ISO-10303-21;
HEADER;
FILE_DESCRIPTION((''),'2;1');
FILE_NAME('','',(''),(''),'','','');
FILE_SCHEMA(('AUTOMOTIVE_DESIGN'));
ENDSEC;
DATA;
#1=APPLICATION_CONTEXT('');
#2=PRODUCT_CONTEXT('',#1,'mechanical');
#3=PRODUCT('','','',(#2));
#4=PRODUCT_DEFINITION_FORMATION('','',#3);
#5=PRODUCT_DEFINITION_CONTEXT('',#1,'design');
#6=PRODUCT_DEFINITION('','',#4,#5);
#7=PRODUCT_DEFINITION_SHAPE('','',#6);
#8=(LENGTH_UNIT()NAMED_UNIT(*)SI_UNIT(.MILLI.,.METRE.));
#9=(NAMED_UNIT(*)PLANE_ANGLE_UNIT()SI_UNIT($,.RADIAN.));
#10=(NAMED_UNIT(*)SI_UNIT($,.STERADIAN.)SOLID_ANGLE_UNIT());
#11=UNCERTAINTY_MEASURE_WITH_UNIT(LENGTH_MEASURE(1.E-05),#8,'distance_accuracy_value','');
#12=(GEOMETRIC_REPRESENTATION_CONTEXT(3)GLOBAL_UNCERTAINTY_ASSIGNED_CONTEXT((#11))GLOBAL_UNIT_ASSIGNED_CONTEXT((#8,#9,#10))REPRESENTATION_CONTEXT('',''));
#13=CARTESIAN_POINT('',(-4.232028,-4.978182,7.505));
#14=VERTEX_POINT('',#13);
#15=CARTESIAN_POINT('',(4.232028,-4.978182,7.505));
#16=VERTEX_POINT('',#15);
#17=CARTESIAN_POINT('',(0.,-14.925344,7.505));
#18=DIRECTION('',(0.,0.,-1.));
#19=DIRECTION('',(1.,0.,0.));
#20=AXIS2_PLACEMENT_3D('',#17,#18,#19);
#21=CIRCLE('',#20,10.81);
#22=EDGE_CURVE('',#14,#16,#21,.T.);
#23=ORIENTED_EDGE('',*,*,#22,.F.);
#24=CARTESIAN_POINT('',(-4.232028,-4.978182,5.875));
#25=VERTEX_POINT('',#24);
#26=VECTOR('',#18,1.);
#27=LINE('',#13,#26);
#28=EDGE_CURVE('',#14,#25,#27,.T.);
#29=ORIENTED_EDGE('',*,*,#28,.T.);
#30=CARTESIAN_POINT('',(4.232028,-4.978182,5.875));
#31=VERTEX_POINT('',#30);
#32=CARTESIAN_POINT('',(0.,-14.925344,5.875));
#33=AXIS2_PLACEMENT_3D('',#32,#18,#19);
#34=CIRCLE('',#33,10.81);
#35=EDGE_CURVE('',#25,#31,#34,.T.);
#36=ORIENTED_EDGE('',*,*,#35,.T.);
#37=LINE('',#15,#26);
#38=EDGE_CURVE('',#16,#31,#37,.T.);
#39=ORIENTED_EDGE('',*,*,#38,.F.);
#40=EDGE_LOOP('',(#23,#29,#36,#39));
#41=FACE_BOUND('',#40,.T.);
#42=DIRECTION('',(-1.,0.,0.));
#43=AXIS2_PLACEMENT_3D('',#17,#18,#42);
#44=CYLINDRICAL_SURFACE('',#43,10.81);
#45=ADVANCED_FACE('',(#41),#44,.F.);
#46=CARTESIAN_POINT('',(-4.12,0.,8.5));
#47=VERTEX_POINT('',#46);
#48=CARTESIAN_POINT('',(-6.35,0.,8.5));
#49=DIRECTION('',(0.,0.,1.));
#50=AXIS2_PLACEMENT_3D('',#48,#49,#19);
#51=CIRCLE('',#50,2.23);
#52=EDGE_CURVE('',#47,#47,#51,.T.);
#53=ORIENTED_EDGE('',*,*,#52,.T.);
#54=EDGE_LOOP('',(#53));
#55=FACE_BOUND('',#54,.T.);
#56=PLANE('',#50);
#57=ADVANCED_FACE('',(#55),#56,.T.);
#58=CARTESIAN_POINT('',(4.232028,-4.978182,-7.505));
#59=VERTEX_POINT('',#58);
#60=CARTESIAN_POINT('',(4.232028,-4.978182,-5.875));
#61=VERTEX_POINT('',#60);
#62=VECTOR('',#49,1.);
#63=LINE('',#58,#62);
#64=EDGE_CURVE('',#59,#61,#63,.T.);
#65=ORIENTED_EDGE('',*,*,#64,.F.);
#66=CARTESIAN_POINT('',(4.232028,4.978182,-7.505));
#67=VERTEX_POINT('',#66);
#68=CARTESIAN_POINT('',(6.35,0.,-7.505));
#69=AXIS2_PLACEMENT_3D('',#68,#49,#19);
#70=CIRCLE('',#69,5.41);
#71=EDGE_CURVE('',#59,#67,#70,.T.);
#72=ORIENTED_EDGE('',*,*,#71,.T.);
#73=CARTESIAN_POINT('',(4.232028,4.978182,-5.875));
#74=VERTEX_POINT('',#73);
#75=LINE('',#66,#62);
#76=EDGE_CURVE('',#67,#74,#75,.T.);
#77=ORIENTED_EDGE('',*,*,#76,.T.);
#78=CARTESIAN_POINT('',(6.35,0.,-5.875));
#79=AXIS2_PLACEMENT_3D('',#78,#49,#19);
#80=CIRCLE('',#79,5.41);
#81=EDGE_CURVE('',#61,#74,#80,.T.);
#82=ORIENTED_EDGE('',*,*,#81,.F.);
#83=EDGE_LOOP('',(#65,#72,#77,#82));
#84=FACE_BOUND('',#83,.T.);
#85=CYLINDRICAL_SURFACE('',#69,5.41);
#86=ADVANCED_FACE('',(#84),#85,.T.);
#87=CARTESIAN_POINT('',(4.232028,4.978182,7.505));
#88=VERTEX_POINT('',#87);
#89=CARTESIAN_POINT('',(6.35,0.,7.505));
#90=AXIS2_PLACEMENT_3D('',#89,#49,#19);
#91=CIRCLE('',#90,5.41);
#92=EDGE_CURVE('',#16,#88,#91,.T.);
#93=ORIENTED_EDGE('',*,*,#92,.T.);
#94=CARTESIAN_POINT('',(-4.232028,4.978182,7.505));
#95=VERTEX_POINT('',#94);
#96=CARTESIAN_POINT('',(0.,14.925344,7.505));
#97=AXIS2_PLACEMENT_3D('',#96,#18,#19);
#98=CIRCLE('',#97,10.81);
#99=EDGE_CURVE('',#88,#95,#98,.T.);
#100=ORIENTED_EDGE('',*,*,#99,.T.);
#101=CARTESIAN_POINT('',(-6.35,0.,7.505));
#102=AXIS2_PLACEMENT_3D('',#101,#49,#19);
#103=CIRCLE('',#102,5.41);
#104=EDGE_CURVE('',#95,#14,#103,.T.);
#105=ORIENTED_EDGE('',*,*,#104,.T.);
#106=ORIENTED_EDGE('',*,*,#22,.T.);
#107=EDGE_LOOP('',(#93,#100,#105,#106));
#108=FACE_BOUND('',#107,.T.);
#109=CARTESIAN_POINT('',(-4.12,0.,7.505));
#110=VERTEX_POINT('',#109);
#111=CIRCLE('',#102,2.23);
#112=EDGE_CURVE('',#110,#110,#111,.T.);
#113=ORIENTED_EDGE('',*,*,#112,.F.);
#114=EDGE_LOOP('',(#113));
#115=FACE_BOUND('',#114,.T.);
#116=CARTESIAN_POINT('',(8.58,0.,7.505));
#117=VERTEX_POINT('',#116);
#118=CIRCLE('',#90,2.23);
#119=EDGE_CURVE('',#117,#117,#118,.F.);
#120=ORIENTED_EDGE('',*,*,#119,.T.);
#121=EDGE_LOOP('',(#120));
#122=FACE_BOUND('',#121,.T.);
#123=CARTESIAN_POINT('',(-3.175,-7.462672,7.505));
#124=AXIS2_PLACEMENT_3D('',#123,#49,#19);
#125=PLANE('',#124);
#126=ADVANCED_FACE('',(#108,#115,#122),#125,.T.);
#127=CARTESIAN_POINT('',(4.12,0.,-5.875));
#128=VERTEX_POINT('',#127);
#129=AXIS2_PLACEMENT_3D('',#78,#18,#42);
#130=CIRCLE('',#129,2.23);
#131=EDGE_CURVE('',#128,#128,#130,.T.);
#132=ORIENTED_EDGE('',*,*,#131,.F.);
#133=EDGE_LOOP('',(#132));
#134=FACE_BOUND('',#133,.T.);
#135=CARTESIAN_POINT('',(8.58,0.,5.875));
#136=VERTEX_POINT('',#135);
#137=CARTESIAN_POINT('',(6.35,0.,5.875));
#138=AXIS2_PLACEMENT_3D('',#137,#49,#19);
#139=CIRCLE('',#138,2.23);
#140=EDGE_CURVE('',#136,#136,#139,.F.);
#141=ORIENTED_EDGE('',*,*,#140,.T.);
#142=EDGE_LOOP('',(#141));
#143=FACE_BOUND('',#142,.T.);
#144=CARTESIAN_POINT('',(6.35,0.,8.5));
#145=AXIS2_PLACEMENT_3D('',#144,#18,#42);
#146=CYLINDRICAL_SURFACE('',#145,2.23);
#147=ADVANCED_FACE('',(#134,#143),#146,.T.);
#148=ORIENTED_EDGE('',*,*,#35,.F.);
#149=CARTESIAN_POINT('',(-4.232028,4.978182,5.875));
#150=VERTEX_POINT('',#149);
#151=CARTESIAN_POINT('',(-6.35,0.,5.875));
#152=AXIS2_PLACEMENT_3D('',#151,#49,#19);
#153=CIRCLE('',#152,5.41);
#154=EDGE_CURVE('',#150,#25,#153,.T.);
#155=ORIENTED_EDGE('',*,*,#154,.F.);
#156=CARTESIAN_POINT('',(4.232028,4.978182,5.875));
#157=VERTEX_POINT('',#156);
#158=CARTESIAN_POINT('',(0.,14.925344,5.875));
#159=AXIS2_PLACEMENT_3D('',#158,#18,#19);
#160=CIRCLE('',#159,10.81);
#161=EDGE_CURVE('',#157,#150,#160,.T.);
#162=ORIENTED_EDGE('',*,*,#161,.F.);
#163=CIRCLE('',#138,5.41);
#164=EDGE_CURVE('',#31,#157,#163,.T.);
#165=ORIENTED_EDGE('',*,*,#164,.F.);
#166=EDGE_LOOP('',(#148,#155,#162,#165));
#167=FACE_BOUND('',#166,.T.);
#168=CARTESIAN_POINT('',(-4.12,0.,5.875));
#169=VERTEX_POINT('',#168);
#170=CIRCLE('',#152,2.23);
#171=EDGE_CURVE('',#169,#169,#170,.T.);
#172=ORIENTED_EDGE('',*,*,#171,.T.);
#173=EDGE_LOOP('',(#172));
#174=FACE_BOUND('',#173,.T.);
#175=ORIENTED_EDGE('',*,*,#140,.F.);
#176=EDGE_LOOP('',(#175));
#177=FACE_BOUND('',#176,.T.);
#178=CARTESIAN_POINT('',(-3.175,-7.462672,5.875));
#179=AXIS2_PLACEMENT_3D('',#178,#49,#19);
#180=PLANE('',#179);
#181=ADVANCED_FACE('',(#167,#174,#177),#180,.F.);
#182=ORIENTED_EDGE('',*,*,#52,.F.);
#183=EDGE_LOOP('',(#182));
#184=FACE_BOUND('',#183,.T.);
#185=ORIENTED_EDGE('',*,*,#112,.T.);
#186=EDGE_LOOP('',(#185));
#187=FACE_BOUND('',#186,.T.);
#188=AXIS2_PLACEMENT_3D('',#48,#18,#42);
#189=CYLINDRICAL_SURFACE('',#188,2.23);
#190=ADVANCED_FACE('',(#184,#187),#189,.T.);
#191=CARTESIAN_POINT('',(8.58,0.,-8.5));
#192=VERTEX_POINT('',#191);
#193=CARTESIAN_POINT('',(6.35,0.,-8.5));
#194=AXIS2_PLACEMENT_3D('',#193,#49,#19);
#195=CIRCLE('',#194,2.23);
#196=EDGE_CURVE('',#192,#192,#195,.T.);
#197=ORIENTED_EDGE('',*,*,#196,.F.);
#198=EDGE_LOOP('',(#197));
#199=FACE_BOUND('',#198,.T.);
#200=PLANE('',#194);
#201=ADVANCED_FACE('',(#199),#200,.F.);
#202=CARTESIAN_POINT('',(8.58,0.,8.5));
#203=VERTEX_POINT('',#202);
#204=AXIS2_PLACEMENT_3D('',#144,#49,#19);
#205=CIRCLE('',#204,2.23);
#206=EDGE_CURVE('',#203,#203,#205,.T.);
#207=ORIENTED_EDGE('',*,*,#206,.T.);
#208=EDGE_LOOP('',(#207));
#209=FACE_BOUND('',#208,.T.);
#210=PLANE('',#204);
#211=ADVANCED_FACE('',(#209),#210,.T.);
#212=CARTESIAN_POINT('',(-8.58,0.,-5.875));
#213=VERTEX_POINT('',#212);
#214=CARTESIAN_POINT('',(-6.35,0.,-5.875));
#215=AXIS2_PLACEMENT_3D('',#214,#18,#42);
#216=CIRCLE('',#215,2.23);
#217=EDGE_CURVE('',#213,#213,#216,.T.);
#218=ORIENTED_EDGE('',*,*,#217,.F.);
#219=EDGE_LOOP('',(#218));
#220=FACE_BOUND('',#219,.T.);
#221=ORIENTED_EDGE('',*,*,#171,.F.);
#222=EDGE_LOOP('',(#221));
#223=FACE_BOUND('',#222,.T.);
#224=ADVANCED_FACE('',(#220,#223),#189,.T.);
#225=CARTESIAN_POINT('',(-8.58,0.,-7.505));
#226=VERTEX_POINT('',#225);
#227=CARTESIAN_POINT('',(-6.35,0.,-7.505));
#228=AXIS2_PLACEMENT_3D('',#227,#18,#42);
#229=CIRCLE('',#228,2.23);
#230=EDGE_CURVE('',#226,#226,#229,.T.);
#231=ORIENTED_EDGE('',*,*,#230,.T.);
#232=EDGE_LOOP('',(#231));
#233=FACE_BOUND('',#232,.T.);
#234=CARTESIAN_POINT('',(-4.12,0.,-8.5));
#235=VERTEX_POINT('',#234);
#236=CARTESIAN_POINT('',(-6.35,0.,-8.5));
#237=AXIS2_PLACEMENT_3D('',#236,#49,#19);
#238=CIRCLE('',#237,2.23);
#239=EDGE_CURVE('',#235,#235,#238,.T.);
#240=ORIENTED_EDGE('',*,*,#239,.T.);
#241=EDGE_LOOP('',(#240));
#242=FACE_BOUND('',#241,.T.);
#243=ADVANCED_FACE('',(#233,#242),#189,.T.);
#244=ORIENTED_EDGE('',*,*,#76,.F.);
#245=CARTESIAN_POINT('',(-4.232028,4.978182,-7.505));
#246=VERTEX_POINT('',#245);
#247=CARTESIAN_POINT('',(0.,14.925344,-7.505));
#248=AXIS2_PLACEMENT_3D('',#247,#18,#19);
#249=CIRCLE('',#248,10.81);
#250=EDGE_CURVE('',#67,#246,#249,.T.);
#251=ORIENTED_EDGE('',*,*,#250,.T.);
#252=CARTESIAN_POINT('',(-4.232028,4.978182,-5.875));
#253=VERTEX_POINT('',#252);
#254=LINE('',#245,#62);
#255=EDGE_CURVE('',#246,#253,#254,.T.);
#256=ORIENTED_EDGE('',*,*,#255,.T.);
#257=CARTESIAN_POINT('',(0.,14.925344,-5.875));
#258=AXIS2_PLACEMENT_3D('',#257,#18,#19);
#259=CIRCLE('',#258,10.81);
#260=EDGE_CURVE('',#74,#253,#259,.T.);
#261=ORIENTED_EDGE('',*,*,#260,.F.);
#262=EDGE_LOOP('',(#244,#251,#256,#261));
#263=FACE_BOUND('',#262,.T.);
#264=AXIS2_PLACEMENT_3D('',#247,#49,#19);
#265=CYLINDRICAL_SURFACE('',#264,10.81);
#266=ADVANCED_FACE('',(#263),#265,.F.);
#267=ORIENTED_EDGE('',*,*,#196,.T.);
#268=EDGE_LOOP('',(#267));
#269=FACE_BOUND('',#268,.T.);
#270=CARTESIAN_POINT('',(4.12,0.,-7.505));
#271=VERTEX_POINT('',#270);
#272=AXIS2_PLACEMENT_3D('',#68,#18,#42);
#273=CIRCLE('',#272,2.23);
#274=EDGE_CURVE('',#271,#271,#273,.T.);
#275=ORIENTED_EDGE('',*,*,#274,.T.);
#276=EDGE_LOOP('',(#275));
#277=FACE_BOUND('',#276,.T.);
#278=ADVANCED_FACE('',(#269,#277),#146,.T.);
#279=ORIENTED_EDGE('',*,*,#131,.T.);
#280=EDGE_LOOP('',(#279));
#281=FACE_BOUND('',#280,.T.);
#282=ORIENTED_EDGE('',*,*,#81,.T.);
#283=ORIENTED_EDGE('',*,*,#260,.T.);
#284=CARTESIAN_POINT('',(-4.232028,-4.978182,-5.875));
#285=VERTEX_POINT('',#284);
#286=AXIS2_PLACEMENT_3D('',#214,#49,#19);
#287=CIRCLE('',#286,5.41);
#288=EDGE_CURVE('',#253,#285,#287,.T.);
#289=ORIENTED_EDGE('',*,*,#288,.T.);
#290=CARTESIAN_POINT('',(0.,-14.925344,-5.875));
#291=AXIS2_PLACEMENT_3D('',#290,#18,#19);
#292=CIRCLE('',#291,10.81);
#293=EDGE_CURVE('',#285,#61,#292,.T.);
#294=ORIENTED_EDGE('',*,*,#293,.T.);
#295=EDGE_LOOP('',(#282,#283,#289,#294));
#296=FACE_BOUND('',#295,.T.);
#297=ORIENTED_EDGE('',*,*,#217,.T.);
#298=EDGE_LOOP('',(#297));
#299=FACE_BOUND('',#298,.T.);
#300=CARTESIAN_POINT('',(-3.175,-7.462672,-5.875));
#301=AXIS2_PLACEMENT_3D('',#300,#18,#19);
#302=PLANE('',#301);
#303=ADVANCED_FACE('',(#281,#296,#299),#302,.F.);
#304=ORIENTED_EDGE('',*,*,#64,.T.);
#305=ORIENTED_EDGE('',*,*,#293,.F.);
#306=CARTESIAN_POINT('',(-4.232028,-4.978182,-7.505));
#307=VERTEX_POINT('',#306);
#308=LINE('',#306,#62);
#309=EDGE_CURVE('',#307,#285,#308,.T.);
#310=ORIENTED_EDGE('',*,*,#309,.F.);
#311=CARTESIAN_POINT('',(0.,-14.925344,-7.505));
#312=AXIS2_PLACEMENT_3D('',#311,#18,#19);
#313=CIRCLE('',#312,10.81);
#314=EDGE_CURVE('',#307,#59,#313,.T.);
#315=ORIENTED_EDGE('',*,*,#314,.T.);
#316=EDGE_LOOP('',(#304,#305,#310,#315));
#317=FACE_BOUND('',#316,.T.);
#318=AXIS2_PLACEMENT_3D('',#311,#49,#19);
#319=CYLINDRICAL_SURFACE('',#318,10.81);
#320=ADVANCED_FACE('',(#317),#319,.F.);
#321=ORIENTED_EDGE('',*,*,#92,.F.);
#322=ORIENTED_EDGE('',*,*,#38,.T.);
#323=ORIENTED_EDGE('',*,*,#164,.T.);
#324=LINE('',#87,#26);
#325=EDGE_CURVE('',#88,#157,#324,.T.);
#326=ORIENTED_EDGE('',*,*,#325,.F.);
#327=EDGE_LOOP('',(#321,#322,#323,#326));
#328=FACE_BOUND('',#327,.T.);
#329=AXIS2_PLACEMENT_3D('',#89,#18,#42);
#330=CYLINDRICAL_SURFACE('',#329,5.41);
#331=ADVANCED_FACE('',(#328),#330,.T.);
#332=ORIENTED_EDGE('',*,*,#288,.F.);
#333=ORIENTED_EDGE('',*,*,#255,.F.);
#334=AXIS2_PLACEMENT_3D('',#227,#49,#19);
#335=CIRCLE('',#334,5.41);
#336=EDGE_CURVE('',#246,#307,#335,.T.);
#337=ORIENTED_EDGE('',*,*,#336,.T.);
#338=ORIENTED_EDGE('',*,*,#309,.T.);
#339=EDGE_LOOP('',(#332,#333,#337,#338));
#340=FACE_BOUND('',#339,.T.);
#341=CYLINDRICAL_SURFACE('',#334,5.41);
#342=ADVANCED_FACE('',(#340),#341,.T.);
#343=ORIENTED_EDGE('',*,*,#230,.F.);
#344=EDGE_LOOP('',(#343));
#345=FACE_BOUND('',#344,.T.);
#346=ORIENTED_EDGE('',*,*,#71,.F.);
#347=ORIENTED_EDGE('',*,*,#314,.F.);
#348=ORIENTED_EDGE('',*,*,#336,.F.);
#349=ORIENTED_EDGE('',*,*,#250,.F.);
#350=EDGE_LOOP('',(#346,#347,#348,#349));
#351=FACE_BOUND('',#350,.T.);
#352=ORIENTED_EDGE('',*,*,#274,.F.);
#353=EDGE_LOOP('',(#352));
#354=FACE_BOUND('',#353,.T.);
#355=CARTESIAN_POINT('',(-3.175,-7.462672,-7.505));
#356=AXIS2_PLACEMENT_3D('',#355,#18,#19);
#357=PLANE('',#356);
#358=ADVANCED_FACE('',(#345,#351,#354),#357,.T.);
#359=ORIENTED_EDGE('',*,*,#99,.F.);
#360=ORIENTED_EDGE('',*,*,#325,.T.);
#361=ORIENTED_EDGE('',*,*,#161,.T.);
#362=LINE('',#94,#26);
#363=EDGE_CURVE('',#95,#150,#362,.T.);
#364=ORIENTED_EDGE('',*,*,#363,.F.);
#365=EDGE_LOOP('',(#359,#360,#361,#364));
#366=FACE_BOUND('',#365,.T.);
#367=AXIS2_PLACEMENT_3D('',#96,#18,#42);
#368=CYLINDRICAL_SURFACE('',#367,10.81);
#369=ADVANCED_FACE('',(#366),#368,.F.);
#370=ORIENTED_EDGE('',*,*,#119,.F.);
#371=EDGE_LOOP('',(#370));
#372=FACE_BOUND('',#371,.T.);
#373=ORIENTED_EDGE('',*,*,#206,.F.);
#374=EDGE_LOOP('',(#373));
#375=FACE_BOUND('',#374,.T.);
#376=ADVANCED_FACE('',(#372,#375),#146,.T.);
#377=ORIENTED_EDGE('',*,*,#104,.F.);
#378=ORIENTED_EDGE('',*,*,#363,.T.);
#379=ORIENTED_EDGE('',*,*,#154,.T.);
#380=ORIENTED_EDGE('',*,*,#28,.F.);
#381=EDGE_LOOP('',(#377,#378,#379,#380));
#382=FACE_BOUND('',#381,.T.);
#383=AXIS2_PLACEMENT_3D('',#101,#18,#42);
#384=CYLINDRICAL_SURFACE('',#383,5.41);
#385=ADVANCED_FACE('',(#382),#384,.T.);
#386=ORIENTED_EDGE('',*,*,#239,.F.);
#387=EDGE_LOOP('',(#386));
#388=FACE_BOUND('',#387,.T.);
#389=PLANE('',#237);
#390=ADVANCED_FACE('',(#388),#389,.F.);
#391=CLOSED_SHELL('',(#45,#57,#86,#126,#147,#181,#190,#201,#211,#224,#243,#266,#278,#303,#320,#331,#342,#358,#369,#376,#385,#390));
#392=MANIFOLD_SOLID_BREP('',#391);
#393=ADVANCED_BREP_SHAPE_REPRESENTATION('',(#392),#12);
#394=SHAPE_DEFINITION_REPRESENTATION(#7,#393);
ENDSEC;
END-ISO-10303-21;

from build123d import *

# Parameters (mm, degrees)
SKETCH_1_R        = 2.23
EXTRUDE_1_DEPTH   = 8.5
EXTRUDE_1_2_DEPTH = 8.5
EXTRUDE_START     = 5.875
EXTRUDE_2_DEPTH   = 1.63


with BuildPart() as part:
    # Эскиз1 → Бобышка-Вытянуть1 (new, symmetric)
    with BuildSketch(Plane.XY):
        with Locations((-6.35, 0)):
            Circle(SKETCH_1_R)
    extrude(amount=EXTRUDE_1_DEPTH, both=True)



with BuildPart() as body_2:
    # Эскиз1 → Extrude 1 2 (new, symmetric)
    with BuildSketch(Plane.XY):
        with Locations((6.35, 0)):
            Circle(SKETCH_1_R)
    extrude(amount=EXTRUDE_1_2_DEPTH, both=True)


with BuildPart() as part_1:
    add(part.part)

    add(body_2.part)  # Бобышка-Вытянуть2 merges body 2
    # Эскиз2 → Бобышка-Вытянуть2 (add)
    with BuildSketch(Plane.XY.offset(EXTRUDE_START)):
        with BuildLine():
            ThreePointArc((-4.23202836, 4.978182011), (-11.76, 0), (-4.23202836, -4.978182011))
            ThreePointArc((-4.23202836, -4.978182011), (0, -4.115344217), (4.23202836, -4.978182011))
            ThreePointArc((4.23202836, -4.978182011), (11.76, 0), (4.23202836, 4.978182011))
            ThreePointArc((4.23202836, 4.978182011), (0, 4.115344217), (-4.23202836, 4.978182011))
        make_face()
    extrude_2 = extrude(amount=EXTRUDE_2_DEPTH)

    # Зеркальное отражение1: Бобышка-Вытянуть2 across plane
    add(extrude_2.mirror(Plane.XY))


solid = part_1.part
